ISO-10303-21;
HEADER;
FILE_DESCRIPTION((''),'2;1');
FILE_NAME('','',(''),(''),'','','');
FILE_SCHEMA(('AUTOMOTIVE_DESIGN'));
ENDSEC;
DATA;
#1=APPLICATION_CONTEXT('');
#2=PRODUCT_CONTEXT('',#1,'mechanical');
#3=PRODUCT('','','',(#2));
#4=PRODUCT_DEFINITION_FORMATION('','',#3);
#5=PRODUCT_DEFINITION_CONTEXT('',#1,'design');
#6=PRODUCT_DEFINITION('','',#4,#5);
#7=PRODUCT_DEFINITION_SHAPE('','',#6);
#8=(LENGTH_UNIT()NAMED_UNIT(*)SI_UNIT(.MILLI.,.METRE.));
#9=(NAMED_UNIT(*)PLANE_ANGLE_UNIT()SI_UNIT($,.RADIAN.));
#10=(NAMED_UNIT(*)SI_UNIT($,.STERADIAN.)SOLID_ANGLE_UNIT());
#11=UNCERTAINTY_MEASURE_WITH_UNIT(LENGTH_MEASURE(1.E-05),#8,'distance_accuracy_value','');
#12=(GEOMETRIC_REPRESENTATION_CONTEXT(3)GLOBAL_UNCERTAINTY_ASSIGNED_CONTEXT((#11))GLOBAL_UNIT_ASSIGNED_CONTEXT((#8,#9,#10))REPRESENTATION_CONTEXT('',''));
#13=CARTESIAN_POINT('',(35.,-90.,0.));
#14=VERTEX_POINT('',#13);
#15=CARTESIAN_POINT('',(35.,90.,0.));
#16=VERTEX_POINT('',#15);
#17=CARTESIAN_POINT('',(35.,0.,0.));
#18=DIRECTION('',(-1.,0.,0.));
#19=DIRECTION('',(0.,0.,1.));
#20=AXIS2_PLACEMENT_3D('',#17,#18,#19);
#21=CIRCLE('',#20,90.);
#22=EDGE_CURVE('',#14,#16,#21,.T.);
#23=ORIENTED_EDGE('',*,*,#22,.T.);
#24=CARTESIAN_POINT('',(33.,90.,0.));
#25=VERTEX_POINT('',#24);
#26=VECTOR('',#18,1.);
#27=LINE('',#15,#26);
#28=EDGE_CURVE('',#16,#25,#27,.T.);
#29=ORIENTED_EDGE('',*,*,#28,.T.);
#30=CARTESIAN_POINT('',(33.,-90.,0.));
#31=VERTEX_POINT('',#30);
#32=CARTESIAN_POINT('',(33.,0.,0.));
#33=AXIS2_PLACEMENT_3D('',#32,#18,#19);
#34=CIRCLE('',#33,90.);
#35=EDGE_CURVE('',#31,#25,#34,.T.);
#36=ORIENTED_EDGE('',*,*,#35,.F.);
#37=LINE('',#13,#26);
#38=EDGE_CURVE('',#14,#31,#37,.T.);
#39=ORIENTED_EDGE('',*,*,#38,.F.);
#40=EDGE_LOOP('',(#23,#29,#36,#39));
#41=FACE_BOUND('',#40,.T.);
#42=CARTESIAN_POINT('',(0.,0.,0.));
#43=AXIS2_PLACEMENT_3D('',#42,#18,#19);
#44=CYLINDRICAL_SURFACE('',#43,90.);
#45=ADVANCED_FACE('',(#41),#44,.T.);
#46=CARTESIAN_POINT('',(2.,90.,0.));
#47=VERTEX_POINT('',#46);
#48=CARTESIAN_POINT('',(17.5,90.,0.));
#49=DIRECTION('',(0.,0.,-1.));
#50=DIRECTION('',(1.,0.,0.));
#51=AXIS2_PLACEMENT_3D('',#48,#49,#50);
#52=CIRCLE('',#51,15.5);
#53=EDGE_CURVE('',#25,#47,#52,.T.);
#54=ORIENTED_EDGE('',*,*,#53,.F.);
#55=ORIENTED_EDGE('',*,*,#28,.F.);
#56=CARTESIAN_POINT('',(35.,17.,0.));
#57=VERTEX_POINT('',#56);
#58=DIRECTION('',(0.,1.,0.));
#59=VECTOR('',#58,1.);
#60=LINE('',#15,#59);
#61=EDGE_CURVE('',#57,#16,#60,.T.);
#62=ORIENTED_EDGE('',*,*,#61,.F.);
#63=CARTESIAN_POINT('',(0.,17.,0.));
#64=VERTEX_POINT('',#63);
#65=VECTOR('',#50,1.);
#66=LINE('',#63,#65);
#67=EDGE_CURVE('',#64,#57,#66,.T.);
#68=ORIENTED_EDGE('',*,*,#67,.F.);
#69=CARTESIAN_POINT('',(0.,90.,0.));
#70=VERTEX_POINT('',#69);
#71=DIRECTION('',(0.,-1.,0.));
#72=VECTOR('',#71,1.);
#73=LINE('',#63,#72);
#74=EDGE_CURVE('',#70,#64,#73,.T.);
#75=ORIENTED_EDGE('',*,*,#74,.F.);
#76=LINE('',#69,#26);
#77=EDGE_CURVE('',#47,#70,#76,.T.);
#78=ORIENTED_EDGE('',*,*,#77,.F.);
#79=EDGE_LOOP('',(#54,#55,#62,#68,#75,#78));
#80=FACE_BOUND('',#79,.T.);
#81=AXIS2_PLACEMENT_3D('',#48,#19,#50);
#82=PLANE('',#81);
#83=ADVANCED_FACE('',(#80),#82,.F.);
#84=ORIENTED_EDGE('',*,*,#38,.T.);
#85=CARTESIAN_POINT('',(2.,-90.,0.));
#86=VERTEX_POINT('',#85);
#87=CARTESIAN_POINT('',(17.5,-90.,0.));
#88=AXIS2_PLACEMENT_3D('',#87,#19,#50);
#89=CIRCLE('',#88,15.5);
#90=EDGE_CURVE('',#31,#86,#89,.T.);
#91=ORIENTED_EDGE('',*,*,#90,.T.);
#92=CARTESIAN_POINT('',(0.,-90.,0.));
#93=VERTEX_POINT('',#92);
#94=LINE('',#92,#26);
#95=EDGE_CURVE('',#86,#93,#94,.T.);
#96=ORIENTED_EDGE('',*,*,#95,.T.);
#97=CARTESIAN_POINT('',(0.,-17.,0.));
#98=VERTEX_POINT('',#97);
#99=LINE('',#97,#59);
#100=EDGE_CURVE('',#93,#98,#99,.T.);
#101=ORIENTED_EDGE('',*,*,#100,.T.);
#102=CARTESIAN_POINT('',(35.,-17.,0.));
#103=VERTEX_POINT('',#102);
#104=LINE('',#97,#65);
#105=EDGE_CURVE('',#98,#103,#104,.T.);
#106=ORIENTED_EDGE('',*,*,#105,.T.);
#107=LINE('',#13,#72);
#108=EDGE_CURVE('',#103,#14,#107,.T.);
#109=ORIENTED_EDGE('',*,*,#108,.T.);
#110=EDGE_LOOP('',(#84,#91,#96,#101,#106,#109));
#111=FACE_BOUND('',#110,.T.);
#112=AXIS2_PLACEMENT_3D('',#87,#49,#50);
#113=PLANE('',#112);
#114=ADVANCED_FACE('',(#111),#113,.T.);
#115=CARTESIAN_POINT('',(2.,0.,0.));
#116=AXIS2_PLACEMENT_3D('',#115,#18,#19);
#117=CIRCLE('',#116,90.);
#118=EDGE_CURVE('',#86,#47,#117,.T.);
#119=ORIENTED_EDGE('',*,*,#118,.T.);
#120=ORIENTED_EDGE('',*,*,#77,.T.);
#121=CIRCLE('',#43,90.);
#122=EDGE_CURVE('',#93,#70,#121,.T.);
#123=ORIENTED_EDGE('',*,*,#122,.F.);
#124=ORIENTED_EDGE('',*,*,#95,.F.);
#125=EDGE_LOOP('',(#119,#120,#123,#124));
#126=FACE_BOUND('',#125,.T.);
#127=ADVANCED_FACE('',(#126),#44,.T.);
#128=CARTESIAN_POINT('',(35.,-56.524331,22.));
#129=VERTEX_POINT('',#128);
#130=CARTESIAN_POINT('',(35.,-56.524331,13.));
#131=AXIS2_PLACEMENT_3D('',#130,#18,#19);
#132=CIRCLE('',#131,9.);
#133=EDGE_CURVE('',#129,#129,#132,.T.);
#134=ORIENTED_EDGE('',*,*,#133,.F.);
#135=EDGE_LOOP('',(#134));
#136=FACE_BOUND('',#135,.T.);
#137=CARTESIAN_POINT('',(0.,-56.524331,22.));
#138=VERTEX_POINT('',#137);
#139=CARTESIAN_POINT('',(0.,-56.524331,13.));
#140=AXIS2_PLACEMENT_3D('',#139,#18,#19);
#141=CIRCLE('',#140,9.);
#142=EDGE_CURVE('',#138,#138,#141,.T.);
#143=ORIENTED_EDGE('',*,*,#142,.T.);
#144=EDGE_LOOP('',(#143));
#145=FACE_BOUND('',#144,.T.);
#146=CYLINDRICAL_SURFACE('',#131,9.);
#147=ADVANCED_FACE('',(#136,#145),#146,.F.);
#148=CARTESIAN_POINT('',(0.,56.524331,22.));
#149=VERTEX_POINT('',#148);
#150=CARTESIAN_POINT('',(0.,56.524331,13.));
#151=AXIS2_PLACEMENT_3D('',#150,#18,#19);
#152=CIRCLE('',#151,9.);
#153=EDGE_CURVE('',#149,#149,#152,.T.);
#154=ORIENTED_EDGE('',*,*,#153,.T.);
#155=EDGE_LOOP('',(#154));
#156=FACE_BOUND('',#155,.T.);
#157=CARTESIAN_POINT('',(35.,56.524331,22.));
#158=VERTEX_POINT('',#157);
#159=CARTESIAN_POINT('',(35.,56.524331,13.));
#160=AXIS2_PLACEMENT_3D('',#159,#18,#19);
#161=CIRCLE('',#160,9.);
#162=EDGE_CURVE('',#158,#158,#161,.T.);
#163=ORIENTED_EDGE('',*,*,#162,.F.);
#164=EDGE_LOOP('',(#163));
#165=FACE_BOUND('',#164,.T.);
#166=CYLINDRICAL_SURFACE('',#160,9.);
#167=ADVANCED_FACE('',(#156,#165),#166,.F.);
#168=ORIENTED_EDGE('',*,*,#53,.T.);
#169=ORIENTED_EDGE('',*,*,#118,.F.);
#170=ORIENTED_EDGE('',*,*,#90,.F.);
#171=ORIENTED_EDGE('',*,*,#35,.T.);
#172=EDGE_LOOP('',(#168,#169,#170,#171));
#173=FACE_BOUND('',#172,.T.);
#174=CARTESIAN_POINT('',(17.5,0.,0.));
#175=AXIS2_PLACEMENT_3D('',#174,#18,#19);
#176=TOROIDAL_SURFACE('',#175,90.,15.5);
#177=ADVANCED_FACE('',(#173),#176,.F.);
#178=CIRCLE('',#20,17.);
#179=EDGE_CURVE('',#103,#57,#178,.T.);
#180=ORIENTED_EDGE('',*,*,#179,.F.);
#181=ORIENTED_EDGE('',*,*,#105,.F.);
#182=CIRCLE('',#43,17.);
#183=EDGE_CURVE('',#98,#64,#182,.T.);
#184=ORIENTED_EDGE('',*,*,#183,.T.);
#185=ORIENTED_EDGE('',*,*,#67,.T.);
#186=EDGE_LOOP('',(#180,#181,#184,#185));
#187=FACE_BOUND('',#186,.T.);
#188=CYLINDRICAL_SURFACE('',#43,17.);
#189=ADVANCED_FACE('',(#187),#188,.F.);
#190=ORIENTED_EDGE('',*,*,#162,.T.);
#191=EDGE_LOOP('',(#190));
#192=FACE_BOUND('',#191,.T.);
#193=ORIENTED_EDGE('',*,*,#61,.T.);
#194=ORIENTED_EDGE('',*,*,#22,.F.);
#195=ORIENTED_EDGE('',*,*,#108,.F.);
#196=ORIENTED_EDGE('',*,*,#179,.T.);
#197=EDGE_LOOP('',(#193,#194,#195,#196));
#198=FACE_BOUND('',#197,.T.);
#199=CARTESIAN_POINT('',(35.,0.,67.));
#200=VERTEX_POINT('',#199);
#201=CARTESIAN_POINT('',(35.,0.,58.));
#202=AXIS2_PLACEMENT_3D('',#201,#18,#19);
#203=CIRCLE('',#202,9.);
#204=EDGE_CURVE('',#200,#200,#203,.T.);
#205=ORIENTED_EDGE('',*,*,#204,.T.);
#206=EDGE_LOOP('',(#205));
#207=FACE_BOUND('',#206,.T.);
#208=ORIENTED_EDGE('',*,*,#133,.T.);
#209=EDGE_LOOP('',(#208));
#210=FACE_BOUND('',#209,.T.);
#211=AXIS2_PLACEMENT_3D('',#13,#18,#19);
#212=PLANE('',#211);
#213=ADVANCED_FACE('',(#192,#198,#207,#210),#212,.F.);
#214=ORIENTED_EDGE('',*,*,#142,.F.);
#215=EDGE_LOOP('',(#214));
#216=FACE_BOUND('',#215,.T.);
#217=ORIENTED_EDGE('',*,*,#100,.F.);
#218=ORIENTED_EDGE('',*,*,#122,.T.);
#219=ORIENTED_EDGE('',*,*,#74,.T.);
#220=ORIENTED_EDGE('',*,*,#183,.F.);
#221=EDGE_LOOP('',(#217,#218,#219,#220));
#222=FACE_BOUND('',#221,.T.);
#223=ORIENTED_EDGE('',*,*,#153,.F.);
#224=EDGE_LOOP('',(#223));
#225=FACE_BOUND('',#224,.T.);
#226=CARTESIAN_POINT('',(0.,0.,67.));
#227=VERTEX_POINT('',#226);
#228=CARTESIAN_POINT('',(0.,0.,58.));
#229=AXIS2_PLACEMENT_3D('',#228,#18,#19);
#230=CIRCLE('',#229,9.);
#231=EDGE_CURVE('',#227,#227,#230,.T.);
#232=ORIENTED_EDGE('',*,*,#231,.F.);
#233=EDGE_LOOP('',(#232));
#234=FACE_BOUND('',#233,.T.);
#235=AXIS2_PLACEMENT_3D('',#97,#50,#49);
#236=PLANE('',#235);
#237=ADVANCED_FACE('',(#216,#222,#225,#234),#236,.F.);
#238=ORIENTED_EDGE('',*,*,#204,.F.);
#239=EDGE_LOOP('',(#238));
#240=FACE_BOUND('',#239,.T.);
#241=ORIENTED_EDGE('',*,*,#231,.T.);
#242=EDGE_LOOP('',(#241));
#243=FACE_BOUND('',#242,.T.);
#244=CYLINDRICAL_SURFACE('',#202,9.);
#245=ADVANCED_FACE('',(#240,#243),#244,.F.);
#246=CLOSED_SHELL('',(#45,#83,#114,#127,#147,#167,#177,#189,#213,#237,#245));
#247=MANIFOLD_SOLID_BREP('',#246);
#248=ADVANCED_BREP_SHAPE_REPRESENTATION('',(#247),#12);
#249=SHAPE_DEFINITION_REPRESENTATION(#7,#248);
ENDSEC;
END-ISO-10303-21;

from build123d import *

# Parameters (mm, degrees)
R_VOLUTION1_ANGLE       = 180
ESQUISSE2_R             = 9
ENL_V_MAT_EXTRU_1_DEPTH = 36


with BuildPart() as part:
    # Esquisse1 → Révolution1 (revolve)
    with BuildSketch(Plane.XY):
        with BuildLine():
            Line((0, 17), (0, 90))
            Line((0, 90), (2, 90))
            ThreePointArc((2, 90), (17.5, 74.5), (33, 90))
            Line((33, 90), (35, 90))
            Line((35, 90), (35, 17))
            Line((35, 17), (0, 17))
        make_face()
    revolve(axis=Axis((0, 0, 0), (1, 0, 0)), revolution_arc=R_VOLUTION1_ANGLE)

    # Esquisse2 → Enlèv. mat.-Extru.1 (cut, through all)
    with BuildSketch(Plane.ZY):
        with Locations((13, -56.524331044)):
            Circle(ESQUISSE2_R)
        with Locations((58, 0)):
            Circle(ESQUISSE2_R)
        with Locations((13, 56.524331044)):
            Circle(ESQUISSE2_R)
    extrude(amount=-ENL_V_MAT_EXTRU_1_DEPTH, mode=Mode.SUBTRACT)


solid = part.part
